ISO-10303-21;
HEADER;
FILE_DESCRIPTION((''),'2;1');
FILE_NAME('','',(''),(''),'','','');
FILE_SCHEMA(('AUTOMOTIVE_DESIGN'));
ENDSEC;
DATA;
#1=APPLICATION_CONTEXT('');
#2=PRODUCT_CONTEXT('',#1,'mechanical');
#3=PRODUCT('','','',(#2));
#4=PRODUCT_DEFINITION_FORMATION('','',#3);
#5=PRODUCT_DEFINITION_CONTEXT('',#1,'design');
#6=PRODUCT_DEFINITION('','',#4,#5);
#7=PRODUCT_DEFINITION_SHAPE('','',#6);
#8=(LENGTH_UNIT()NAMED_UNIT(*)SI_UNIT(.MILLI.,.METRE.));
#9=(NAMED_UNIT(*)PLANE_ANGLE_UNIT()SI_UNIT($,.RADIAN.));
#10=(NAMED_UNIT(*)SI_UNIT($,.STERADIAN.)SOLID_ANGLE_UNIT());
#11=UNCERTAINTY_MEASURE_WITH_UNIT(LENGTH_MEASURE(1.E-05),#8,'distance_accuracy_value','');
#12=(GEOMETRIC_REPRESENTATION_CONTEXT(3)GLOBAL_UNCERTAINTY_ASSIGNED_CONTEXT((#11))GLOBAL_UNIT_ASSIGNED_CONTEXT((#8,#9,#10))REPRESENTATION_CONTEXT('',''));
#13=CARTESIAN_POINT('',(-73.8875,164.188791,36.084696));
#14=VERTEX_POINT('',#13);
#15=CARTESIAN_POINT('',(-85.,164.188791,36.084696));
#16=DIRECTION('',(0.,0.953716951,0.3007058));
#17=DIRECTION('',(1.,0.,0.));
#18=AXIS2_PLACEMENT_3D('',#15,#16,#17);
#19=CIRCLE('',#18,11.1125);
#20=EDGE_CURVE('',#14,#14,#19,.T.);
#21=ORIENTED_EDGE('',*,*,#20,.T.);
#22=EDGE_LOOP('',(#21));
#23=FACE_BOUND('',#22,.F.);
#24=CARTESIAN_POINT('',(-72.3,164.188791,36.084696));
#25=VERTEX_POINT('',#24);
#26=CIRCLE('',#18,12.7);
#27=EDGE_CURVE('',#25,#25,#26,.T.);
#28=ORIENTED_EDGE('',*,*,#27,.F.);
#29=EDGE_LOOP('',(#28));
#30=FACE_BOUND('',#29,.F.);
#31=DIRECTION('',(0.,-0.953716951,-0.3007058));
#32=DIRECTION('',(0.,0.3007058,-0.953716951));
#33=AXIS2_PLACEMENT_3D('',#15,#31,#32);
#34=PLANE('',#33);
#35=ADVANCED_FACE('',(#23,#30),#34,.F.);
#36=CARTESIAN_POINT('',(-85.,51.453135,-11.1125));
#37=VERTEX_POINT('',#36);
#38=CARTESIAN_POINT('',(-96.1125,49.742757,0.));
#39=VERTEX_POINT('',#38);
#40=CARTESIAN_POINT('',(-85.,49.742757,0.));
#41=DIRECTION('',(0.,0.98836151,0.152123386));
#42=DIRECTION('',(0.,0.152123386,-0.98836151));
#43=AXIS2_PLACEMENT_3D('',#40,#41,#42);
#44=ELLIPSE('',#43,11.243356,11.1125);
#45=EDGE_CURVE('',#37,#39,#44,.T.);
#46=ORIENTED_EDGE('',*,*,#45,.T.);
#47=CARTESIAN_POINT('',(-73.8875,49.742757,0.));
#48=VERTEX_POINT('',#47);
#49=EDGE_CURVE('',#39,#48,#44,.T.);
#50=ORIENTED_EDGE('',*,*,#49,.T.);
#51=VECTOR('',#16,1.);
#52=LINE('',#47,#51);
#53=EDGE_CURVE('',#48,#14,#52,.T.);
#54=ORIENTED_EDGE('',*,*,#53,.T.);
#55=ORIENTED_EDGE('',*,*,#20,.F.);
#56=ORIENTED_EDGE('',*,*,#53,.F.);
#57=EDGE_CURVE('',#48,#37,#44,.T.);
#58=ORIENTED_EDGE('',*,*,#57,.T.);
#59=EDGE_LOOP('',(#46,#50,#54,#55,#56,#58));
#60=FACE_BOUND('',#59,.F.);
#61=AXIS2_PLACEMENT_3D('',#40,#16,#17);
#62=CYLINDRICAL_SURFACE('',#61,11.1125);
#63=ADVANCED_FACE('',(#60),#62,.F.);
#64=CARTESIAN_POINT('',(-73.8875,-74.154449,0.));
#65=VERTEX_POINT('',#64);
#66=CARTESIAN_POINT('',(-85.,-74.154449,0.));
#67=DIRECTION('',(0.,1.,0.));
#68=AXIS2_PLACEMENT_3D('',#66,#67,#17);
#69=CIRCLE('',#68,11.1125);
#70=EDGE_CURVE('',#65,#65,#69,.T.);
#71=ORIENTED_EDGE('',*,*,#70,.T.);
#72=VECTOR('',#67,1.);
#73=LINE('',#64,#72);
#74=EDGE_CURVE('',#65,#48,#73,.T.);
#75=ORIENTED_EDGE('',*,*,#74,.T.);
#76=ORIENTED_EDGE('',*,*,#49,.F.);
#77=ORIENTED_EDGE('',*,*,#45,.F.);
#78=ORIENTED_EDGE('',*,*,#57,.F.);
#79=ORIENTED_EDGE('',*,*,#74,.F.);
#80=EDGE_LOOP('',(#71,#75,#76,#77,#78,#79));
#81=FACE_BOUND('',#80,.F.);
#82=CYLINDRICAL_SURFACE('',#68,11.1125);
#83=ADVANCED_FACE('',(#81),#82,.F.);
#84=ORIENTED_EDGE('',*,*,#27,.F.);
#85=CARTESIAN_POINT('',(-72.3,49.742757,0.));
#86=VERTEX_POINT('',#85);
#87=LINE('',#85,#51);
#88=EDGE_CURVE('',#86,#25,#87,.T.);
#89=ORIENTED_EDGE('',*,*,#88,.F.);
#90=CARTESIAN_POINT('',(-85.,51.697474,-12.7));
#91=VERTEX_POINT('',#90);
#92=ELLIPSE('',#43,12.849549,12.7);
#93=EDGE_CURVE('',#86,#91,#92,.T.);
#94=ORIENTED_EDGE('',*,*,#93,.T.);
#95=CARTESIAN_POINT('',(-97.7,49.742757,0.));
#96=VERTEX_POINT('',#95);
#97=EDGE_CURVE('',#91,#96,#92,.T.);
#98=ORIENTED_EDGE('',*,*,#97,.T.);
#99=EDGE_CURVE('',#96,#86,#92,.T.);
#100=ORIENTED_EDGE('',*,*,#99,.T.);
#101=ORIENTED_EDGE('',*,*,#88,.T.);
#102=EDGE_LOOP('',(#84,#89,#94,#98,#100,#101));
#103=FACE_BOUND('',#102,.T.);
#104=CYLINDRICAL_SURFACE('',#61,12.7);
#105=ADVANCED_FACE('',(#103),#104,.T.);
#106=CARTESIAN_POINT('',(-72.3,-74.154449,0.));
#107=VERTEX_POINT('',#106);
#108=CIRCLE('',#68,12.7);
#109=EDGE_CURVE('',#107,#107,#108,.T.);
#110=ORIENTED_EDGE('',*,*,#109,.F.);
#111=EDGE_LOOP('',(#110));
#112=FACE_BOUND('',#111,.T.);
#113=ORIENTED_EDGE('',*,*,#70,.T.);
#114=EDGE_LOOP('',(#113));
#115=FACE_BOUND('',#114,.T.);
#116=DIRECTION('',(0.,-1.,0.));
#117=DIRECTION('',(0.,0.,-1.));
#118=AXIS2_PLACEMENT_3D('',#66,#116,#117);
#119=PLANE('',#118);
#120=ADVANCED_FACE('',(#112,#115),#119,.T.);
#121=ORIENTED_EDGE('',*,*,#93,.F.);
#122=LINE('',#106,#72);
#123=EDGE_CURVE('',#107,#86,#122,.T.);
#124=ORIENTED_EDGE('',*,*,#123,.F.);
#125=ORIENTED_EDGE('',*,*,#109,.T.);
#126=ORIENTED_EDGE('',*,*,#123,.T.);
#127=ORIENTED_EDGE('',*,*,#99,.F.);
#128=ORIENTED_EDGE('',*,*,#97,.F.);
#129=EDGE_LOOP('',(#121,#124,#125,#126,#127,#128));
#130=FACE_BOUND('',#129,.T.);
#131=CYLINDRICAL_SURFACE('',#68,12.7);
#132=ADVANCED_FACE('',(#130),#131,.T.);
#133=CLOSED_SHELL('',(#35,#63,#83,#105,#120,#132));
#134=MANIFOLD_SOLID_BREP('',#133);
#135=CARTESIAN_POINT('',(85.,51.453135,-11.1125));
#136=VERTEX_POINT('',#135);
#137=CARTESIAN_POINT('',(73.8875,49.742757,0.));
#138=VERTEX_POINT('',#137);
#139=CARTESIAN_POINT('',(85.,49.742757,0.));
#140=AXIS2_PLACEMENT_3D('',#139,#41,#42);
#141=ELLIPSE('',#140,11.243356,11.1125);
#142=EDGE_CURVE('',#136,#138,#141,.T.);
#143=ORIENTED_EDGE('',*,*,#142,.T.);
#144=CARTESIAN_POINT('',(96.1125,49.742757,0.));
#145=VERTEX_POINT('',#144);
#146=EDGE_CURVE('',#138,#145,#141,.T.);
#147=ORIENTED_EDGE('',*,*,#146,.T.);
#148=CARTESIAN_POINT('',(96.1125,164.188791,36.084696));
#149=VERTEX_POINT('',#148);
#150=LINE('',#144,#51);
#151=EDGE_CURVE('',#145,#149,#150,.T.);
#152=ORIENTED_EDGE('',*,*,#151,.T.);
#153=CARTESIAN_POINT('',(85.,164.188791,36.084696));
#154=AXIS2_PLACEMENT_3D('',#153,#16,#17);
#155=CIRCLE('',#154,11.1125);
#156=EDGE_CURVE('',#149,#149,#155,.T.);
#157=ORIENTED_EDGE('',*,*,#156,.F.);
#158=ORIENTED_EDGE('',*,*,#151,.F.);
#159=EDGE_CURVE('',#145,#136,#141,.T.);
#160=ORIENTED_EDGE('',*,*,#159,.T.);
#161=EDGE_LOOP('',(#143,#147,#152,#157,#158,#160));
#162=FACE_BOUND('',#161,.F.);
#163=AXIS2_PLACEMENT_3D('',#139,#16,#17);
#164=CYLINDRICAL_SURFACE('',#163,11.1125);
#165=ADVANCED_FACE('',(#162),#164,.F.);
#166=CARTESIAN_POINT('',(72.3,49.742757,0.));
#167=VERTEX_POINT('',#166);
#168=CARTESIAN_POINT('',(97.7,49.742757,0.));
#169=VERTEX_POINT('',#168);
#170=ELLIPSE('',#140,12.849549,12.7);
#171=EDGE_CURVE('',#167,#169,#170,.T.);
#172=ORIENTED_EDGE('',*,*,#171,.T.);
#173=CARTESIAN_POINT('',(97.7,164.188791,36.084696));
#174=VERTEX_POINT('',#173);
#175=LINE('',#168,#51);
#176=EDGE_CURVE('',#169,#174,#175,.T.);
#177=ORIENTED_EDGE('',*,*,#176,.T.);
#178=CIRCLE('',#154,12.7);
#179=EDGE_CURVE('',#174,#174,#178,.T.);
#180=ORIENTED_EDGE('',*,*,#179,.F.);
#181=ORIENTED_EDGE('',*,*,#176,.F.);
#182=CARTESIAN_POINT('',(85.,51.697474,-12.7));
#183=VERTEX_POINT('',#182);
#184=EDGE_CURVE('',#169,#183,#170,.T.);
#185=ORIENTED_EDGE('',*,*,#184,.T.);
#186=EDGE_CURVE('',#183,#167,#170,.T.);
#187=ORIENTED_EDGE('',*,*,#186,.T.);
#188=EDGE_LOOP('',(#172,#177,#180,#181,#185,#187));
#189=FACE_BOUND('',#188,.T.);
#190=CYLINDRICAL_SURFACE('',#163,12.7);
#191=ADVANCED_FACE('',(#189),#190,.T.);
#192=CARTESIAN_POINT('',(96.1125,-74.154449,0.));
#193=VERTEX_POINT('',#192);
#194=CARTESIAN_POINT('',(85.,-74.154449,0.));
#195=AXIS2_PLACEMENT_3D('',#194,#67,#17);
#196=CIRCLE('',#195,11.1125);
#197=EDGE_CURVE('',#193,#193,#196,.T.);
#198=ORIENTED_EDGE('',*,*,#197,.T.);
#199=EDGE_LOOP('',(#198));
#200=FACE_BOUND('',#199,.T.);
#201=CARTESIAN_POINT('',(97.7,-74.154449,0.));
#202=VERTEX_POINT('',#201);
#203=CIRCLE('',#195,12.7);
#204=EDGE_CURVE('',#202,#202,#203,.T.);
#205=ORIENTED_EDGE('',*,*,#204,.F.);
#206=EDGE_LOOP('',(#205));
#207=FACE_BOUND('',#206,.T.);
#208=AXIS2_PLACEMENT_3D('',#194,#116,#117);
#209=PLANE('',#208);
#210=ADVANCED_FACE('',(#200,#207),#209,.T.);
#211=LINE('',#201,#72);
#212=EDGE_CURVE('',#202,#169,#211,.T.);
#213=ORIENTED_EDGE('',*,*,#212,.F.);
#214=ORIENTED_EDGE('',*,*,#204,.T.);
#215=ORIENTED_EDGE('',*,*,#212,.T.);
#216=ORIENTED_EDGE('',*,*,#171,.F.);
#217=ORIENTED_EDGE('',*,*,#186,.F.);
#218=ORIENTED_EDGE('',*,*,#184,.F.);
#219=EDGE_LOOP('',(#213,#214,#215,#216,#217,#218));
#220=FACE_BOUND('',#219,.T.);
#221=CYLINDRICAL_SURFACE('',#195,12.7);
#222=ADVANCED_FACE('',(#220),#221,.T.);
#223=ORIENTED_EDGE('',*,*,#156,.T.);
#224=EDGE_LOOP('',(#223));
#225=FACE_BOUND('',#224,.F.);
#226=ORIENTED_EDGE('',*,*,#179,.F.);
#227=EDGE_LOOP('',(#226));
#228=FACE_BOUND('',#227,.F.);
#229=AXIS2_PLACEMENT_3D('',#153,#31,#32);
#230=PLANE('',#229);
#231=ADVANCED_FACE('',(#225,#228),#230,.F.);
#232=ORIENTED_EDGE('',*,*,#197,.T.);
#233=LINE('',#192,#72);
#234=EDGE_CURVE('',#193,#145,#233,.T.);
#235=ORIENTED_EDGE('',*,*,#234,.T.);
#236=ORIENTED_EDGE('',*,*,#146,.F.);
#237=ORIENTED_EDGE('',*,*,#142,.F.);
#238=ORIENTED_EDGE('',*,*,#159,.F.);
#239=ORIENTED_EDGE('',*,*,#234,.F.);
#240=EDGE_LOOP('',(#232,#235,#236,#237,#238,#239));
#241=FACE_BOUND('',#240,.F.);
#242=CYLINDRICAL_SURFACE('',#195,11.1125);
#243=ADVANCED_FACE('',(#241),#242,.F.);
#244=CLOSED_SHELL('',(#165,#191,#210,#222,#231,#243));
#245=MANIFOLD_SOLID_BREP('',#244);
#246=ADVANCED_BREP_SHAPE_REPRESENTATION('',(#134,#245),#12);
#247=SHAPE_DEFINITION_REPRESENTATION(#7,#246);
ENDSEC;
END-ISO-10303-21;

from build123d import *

# Parameters (mm, degrees)
F4_R   = 12.7
F4_R_2 = 11.1125
F6_R   = 12.7
F6_R_2 = 11.1125


with BuildPart() as f5:
    # F5: sweep along a path in F5_path
    with BuildLine(Plane(origin=(-85, 49.742757203, 0), x_dir=(0, 0, -1), z_dir=(-1, 0, 0))) as f5_path:
        Line((0, 123.8972057587), (0, 0))
        Line((0, 0), (-36.0846959405, -114.4460340898))
    # F4 (on plane+point) → F5 (sweep)
    with BuildSketch(Plane.XZ.offset(74.1544485557)):
        with Locations((-85, 0)):
            Circle(F4_R)
        with Locations((-85, 0)):
            Circle(F4_R_2, mode=Mode.SUBTRACT)
    sweep(path=f5_path.line, transition=Transition.RIGHT)


with BuildPart() as f7:
    # F7: sweep along a path in F7_path
    with BuildLine(Plane(origin=(85, 49.742757203, 0), x_dir=(0, 0, -1), z_dir=(-1, 0, 0))) as f7_path:
        Line((0, 123.8972057587), (0, 0))
        Line((0, 0), (-36.0846959405, -114.4460340898))
    # F6 (on plane+point) → F7 (sweep)
    with BuildSketch(Plane.XZ.offset(74.1544485557)):
        with Locations((85, 0)):
            Circle(F6_R)
        with Locations((85, 0)):
            Circle(F6_R_2, mode=Mode.SUBTRACT)
    sweep(path=f7_path.line, transition=Transition.RIGHT)


solid = Compound([f5.part, f7.part])
